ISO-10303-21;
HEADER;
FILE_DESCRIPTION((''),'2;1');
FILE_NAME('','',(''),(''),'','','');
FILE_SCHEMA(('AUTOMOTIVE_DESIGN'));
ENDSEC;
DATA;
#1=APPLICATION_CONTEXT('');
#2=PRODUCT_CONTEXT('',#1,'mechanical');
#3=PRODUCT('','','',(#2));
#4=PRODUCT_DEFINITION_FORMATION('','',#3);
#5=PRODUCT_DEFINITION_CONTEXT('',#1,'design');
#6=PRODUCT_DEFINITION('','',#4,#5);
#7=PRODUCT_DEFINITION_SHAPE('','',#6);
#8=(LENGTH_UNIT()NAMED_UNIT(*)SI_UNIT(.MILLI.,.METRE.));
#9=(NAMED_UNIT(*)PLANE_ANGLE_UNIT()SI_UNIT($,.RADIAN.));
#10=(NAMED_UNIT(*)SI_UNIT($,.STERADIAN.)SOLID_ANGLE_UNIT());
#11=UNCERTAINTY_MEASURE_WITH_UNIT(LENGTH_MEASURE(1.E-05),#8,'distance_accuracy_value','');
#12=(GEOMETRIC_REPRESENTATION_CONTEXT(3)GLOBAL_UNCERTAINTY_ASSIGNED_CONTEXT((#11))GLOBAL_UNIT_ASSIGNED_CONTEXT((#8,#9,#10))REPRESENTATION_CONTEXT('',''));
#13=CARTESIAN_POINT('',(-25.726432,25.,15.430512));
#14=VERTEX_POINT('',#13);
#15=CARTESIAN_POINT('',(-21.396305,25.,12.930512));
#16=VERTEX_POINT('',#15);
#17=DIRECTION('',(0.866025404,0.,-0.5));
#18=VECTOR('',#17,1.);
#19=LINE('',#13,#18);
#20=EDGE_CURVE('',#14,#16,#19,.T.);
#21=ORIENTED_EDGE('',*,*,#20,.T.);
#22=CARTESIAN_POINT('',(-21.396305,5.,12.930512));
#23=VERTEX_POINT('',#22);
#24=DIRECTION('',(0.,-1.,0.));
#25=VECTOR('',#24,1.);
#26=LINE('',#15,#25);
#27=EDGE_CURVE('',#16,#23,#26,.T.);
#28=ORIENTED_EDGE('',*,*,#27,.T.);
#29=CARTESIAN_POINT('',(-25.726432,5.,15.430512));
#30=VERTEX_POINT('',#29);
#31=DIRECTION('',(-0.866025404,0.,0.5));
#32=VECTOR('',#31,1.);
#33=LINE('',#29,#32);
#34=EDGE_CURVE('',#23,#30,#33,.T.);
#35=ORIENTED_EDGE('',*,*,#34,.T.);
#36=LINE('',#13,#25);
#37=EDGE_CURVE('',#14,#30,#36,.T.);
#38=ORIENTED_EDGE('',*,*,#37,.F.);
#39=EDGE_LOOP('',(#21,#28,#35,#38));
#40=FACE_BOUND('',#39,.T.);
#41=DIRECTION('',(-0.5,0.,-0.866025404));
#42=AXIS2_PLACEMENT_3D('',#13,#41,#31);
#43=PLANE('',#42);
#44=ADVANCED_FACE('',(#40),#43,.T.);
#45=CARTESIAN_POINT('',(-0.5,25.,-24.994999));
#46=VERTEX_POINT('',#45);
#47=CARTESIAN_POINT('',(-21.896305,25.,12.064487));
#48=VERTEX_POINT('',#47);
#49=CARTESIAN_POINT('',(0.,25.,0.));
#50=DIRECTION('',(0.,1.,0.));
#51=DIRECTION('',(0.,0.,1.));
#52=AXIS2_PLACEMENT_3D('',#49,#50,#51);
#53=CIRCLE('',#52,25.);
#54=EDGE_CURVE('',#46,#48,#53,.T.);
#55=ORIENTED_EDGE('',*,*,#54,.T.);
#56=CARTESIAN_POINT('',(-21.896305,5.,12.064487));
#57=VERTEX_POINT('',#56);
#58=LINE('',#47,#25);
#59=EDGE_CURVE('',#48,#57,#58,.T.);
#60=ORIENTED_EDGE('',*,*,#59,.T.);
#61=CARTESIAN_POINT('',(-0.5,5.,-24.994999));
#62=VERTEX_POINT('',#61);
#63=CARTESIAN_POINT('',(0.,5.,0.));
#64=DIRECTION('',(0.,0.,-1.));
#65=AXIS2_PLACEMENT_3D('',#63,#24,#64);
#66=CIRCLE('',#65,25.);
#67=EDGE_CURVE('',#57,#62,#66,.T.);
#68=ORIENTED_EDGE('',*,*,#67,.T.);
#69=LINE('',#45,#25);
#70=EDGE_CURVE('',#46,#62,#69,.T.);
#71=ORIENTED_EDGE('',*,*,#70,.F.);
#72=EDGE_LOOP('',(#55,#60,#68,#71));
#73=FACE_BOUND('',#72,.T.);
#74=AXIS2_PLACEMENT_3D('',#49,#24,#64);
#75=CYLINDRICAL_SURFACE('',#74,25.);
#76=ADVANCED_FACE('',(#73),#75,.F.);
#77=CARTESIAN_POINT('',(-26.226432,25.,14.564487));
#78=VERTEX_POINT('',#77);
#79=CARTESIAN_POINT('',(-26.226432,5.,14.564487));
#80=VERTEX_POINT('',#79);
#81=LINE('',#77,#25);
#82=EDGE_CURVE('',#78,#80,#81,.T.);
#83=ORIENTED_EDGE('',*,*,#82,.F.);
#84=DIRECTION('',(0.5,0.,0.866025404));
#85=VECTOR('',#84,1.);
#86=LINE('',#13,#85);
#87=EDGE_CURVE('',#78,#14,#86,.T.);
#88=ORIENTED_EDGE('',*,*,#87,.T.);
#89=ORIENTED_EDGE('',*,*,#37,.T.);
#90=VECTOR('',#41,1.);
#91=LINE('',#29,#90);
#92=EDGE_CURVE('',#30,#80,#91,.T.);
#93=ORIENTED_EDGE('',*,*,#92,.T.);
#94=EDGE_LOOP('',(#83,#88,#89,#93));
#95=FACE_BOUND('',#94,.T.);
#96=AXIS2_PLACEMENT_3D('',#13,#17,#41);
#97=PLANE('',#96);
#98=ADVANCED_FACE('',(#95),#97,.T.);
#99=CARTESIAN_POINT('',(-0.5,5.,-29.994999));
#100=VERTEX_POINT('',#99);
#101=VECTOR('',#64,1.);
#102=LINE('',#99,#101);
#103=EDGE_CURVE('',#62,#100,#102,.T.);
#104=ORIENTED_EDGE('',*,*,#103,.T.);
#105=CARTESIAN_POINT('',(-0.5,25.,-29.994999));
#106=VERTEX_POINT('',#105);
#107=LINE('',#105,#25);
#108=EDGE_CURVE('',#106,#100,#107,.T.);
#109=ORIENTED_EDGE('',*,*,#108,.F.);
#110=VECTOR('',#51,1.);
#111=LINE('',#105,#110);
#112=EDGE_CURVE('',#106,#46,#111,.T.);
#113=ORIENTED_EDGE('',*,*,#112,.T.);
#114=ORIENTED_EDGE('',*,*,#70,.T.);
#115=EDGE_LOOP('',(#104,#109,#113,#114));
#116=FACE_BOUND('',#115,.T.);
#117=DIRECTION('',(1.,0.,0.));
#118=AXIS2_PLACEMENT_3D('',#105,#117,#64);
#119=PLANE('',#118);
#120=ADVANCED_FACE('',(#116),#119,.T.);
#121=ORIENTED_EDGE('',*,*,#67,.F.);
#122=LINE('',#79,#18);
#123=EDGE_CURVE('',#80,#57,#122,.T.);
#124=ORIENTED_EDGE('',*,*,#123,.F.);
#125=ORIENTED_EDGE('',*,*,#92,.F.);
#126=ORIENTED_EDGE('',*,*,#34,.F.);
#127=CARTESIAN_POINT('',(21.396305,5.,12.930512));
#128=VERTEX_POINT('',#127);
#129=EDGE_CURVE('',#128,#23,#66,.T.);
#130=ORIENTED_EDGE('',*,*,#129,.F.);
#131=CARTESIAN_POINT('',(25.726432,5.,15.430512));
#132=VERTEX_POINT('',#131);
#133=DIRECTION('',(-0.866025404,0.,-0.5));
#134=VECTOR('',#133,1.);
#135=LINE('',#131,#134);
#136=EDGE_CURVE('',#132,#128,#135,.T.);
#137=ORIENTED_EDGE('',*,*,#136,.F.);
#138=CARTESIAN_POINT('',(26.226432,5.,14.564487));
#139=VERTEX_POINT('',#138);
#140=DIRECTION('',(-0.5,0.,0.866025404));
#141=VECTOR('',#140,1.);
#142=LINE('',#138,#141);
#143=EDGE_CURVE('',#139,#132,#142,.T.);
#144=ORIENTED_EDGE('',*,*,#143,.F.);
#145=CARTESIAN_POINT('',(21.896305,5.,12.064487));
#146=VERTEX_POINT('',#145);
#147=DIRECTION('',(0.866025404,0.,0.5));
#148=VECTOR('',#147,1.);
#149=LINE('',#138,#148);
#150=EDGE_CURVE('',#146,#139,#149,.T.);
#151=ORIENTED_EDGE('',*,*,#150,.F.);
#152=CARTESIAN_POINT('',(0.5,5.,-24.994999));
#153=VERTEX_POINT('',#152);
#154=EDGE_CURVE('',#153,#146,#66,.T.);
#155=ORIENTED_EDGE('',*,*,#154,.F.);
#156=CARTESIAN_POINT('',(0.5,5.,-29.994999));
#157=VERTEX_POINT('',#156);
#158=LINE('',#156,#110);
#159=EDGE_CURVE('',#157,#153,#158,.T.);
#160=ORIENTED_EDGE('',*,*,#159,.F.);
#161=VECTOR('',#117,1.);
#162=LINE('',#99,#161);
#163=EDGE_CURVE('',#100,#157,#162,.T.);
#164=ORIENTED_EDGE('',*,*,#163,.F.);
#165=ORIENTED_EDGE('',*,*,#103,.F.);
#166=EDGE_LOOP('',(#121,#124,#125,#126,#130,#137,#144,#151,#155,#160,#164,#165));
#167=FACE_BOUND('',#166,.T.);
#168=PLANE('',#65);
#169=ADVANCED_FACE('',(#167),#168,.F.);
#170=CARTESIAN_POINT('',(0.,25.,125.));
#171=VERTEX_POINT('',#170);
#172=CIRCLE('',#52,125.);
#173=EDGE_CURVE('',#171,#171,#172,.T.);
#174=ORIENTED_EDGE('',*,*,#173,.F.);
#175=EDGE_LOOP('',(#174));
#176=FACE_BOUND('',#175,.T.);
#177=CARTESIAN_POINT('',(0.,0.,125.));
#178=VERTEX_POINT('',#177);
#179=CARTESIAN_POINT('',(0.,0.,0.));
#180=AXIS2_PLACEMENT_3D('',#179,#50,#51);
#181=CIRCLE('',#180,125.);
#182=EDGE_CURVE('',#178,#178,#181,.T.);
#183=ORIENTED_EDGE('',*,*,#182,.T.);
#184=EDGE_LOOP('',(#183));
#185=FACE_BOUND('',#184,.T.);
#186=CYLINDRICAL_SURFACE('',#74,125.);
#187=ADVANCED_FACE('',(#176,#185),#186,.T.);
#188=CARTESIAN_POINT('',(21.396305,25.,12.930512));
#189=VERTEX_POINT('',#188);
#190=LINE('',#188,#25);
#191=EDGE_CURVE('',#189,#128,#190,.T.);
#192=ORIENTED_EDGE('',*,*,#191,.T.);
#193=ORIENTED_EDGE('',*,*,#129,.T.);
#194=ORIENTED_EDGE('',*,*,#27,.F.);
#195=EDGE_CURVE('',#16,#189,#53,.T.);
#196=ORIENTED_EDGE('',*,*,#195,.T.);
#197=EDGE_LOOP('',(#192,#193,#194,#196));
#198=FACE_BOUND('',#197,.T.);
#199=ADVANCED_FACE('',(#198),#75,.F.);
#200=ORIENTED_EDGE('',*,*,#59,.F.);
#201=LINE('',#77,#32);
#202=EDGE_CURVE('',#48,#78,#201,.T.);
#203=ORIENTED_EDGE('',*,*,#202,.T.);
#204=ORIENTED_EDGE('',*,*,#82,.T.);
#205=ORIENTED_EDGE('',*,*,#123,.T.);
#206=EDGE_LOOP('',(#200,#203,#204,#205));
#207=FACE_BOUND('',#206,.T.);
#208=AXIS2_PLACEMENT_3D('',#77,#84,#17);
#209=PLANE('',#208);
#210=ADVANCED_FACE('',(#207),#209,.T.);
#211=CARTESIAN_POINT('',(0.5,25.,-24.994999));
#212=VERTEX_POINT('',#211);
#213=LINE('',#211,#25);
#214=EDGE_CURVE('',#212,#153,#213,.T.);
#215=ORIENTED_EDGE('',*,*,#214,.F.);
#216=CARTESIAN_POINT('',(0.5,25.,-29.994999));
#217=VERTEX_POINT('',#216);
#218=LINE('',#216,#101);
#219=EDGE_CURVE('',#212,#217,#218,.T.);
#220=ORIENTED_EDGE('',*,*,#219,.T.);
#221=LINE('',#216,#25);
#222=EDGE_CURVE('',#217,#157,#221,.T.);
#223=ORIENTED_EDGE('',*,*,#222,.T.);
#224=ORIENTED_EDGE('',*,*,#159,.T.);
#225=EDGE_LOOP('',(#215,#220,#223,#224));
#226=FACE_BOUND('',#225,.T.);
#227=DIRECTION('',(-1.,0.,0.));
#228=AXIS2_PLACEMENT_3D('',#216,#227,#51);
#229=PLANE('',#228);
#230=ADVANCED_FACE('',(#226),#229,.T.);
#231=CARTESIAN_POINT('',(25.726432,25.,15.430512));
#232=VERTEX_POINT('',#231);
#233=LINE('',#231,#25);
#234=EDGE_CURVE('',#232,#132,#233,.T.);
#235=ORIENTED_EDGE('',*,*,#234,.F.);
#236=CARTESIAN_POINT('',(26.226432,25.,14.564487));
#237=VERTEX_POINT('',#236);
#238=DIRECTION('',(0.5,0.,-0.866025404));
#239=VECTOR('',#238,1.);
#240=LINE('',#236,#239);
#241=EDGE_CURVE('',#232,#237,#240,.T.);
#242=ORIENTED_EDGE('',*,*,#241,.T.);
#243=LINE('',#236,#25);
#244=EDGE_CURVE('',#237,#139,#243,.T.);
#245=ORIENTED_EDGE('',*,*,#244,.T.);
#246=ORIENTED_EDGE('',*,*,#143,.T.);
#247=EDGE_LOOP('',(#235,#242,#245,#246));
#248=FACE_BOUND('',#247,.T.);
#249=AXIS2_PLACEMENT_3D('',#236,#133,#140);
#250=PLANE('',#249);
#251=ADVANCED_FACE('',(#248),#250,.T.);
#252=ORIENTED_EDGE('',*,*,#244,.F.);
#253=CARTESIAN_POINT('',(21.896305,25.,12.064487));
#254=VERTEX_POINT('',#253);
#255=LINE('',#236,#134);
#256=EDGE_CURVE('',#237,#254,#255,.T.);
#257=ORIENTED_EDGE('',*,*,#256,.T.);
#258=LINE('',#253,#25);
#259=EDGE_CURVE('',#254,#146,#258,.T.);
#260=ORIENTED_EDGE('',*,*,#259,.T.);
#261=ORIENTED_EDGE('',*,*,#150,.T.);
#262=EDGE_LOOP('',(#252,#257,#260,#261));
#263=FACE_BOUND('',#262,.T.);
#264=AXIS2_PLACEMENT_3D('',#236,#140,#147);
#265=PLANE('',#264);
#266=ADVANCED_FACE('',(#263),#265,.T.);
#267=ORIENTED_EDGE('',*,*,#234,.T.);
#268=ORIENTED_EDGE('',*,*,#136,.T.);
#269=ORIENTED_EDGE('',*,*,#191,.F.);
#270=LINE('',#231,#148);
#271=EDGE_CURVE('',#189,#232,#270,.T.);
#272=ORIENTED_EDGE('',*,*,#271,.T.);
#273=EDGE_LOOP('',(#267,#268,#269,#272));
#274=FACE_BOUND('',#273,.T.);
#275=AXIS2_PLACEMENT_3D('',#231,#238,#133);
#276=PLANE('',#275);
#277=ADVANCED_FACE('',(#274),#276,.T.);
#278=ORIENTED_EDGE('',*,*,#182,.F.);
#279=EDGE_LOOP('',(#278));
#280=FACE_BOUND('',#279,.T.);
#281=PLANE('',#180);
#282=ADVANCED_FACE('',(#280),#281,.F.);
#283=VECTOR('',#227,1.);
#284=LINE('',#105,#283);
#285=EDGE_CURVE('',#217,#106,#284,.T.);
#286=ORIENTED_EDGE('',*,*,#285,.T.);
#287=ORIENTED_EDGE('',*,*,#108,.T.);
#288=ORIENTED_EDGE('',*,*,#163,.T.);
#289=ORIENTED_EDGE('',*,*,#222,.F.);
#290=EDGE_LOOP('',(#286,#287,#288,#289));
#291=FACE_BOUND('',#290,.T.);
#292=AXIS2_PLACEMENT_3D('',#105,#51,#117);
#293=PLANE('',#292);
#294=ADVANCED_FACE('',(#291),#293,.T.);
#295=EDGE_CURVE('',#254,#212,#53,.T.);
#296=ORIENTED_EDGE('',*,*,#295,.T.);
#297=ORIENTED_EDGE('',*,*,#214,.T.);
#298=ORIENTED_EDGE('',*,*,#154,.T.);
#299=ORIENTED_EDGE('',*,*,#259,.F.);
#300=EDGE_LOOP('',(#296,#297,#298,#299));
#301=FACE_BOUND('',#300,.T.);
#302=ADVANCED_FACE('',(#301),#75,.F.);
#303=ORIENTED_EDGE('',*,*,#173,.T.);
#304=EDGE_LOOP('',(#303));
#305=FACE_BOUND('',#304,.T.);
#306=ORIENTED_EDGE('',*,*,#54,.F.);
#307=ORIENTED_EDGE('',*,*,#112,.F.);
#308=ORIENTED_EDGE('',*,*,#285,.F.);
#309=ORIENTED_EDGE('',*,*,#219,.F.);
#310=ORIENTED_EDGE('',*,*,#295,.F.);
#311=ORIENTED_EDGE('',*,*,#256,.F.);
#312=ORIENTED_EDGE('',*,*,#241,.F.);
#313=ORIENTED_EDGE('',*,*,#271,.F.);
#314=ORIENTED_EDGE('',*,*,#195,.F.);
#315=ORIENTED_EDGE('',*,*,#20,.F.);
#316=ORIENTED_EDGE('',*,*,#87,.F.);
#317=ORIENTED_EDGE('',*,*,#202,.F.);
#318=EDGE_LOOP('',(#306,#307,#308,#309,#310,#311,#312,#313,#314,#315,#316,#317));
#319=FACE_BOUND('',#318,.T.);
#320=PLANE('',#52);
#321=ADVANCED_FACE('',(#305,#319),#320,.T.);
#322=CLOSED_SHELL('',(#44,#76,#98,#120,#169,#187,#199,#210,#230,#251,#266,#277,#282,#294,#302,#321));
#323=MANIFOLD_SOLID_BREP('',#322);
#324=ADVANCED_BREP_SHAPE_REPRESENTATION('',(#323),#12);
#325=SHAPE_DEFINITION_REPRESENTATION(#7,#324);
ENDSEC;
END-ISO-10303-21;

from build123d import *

# Parameters (mm, degrees)
SKETCH_2_R      = 125
EXTRUDE_1_DEPTH = 25
SKETCH_3_R      = 125
EXTRUDE_2_DEPTH = 5


with BuildPart() as part:
    # 草圖2 → 填料-伸長1 (new body)
    with BuildSketch(Plane(origin=(0, 0, 0), x_dir=(1, 0, 0), z_dir=(0, 1, 0))):
        with Locations(Location((0, 0, 0), (0, 0, 270))):
            Circle(SKETCH_2_R)
        with BuildLine():
            Line((26.226431553, -14.564487048), (25.726431553, -15.430512452))
            Line((25.726431553, -15.430512452), (21.396304534, -12.930512452))
            ThreePointArc((21.396304534, -12.930512452), (0, -25), (-21.396304534, -12.930512452))
            Line((-21.396304534, -12.930512452), (-25.726431553, -15.430512452))
            Line((-25.726431553, -15.430512452), (-26.226431553, -14.564487048))
            Line((-26.226431553, -14.564487048), (-21.896304534, -12.064487048))
            ThreePointArc((-21.896304534, -12.064487048), (-21.650635095, 12.5), (-0.5, 24.9949995))
            Line((-0.5, 24.9949995), (-0.5, 29.9949995))
            Line((-0.5, 29.9949995), (0.5, 29.9949995))
            Line((0.5, 29.9949995), (0.5, 24.9949995))
            ThreePointArc((0.5, 24.9949995), (21.650635095, 12.5), (21.896304534, -12.064487048))
            Line((21.896304534, -12.064487048), (26.226431553, -14.564487048))
        make_face(mode=Mode.SUBTRACT)
    extrude(amount=EXTRUDE_1_DEPTH)

    # 草圖3 → 填料-伸長2 (add)
    with BuildSketch(Plane.XZ):
        with Locations(Location((0, 0, 0), (0, 0, 90))):
            Circle(SKETCH_3_R)
    extrude(amount=-EXTRUDE_2_DEPTH)


solid = part.part
